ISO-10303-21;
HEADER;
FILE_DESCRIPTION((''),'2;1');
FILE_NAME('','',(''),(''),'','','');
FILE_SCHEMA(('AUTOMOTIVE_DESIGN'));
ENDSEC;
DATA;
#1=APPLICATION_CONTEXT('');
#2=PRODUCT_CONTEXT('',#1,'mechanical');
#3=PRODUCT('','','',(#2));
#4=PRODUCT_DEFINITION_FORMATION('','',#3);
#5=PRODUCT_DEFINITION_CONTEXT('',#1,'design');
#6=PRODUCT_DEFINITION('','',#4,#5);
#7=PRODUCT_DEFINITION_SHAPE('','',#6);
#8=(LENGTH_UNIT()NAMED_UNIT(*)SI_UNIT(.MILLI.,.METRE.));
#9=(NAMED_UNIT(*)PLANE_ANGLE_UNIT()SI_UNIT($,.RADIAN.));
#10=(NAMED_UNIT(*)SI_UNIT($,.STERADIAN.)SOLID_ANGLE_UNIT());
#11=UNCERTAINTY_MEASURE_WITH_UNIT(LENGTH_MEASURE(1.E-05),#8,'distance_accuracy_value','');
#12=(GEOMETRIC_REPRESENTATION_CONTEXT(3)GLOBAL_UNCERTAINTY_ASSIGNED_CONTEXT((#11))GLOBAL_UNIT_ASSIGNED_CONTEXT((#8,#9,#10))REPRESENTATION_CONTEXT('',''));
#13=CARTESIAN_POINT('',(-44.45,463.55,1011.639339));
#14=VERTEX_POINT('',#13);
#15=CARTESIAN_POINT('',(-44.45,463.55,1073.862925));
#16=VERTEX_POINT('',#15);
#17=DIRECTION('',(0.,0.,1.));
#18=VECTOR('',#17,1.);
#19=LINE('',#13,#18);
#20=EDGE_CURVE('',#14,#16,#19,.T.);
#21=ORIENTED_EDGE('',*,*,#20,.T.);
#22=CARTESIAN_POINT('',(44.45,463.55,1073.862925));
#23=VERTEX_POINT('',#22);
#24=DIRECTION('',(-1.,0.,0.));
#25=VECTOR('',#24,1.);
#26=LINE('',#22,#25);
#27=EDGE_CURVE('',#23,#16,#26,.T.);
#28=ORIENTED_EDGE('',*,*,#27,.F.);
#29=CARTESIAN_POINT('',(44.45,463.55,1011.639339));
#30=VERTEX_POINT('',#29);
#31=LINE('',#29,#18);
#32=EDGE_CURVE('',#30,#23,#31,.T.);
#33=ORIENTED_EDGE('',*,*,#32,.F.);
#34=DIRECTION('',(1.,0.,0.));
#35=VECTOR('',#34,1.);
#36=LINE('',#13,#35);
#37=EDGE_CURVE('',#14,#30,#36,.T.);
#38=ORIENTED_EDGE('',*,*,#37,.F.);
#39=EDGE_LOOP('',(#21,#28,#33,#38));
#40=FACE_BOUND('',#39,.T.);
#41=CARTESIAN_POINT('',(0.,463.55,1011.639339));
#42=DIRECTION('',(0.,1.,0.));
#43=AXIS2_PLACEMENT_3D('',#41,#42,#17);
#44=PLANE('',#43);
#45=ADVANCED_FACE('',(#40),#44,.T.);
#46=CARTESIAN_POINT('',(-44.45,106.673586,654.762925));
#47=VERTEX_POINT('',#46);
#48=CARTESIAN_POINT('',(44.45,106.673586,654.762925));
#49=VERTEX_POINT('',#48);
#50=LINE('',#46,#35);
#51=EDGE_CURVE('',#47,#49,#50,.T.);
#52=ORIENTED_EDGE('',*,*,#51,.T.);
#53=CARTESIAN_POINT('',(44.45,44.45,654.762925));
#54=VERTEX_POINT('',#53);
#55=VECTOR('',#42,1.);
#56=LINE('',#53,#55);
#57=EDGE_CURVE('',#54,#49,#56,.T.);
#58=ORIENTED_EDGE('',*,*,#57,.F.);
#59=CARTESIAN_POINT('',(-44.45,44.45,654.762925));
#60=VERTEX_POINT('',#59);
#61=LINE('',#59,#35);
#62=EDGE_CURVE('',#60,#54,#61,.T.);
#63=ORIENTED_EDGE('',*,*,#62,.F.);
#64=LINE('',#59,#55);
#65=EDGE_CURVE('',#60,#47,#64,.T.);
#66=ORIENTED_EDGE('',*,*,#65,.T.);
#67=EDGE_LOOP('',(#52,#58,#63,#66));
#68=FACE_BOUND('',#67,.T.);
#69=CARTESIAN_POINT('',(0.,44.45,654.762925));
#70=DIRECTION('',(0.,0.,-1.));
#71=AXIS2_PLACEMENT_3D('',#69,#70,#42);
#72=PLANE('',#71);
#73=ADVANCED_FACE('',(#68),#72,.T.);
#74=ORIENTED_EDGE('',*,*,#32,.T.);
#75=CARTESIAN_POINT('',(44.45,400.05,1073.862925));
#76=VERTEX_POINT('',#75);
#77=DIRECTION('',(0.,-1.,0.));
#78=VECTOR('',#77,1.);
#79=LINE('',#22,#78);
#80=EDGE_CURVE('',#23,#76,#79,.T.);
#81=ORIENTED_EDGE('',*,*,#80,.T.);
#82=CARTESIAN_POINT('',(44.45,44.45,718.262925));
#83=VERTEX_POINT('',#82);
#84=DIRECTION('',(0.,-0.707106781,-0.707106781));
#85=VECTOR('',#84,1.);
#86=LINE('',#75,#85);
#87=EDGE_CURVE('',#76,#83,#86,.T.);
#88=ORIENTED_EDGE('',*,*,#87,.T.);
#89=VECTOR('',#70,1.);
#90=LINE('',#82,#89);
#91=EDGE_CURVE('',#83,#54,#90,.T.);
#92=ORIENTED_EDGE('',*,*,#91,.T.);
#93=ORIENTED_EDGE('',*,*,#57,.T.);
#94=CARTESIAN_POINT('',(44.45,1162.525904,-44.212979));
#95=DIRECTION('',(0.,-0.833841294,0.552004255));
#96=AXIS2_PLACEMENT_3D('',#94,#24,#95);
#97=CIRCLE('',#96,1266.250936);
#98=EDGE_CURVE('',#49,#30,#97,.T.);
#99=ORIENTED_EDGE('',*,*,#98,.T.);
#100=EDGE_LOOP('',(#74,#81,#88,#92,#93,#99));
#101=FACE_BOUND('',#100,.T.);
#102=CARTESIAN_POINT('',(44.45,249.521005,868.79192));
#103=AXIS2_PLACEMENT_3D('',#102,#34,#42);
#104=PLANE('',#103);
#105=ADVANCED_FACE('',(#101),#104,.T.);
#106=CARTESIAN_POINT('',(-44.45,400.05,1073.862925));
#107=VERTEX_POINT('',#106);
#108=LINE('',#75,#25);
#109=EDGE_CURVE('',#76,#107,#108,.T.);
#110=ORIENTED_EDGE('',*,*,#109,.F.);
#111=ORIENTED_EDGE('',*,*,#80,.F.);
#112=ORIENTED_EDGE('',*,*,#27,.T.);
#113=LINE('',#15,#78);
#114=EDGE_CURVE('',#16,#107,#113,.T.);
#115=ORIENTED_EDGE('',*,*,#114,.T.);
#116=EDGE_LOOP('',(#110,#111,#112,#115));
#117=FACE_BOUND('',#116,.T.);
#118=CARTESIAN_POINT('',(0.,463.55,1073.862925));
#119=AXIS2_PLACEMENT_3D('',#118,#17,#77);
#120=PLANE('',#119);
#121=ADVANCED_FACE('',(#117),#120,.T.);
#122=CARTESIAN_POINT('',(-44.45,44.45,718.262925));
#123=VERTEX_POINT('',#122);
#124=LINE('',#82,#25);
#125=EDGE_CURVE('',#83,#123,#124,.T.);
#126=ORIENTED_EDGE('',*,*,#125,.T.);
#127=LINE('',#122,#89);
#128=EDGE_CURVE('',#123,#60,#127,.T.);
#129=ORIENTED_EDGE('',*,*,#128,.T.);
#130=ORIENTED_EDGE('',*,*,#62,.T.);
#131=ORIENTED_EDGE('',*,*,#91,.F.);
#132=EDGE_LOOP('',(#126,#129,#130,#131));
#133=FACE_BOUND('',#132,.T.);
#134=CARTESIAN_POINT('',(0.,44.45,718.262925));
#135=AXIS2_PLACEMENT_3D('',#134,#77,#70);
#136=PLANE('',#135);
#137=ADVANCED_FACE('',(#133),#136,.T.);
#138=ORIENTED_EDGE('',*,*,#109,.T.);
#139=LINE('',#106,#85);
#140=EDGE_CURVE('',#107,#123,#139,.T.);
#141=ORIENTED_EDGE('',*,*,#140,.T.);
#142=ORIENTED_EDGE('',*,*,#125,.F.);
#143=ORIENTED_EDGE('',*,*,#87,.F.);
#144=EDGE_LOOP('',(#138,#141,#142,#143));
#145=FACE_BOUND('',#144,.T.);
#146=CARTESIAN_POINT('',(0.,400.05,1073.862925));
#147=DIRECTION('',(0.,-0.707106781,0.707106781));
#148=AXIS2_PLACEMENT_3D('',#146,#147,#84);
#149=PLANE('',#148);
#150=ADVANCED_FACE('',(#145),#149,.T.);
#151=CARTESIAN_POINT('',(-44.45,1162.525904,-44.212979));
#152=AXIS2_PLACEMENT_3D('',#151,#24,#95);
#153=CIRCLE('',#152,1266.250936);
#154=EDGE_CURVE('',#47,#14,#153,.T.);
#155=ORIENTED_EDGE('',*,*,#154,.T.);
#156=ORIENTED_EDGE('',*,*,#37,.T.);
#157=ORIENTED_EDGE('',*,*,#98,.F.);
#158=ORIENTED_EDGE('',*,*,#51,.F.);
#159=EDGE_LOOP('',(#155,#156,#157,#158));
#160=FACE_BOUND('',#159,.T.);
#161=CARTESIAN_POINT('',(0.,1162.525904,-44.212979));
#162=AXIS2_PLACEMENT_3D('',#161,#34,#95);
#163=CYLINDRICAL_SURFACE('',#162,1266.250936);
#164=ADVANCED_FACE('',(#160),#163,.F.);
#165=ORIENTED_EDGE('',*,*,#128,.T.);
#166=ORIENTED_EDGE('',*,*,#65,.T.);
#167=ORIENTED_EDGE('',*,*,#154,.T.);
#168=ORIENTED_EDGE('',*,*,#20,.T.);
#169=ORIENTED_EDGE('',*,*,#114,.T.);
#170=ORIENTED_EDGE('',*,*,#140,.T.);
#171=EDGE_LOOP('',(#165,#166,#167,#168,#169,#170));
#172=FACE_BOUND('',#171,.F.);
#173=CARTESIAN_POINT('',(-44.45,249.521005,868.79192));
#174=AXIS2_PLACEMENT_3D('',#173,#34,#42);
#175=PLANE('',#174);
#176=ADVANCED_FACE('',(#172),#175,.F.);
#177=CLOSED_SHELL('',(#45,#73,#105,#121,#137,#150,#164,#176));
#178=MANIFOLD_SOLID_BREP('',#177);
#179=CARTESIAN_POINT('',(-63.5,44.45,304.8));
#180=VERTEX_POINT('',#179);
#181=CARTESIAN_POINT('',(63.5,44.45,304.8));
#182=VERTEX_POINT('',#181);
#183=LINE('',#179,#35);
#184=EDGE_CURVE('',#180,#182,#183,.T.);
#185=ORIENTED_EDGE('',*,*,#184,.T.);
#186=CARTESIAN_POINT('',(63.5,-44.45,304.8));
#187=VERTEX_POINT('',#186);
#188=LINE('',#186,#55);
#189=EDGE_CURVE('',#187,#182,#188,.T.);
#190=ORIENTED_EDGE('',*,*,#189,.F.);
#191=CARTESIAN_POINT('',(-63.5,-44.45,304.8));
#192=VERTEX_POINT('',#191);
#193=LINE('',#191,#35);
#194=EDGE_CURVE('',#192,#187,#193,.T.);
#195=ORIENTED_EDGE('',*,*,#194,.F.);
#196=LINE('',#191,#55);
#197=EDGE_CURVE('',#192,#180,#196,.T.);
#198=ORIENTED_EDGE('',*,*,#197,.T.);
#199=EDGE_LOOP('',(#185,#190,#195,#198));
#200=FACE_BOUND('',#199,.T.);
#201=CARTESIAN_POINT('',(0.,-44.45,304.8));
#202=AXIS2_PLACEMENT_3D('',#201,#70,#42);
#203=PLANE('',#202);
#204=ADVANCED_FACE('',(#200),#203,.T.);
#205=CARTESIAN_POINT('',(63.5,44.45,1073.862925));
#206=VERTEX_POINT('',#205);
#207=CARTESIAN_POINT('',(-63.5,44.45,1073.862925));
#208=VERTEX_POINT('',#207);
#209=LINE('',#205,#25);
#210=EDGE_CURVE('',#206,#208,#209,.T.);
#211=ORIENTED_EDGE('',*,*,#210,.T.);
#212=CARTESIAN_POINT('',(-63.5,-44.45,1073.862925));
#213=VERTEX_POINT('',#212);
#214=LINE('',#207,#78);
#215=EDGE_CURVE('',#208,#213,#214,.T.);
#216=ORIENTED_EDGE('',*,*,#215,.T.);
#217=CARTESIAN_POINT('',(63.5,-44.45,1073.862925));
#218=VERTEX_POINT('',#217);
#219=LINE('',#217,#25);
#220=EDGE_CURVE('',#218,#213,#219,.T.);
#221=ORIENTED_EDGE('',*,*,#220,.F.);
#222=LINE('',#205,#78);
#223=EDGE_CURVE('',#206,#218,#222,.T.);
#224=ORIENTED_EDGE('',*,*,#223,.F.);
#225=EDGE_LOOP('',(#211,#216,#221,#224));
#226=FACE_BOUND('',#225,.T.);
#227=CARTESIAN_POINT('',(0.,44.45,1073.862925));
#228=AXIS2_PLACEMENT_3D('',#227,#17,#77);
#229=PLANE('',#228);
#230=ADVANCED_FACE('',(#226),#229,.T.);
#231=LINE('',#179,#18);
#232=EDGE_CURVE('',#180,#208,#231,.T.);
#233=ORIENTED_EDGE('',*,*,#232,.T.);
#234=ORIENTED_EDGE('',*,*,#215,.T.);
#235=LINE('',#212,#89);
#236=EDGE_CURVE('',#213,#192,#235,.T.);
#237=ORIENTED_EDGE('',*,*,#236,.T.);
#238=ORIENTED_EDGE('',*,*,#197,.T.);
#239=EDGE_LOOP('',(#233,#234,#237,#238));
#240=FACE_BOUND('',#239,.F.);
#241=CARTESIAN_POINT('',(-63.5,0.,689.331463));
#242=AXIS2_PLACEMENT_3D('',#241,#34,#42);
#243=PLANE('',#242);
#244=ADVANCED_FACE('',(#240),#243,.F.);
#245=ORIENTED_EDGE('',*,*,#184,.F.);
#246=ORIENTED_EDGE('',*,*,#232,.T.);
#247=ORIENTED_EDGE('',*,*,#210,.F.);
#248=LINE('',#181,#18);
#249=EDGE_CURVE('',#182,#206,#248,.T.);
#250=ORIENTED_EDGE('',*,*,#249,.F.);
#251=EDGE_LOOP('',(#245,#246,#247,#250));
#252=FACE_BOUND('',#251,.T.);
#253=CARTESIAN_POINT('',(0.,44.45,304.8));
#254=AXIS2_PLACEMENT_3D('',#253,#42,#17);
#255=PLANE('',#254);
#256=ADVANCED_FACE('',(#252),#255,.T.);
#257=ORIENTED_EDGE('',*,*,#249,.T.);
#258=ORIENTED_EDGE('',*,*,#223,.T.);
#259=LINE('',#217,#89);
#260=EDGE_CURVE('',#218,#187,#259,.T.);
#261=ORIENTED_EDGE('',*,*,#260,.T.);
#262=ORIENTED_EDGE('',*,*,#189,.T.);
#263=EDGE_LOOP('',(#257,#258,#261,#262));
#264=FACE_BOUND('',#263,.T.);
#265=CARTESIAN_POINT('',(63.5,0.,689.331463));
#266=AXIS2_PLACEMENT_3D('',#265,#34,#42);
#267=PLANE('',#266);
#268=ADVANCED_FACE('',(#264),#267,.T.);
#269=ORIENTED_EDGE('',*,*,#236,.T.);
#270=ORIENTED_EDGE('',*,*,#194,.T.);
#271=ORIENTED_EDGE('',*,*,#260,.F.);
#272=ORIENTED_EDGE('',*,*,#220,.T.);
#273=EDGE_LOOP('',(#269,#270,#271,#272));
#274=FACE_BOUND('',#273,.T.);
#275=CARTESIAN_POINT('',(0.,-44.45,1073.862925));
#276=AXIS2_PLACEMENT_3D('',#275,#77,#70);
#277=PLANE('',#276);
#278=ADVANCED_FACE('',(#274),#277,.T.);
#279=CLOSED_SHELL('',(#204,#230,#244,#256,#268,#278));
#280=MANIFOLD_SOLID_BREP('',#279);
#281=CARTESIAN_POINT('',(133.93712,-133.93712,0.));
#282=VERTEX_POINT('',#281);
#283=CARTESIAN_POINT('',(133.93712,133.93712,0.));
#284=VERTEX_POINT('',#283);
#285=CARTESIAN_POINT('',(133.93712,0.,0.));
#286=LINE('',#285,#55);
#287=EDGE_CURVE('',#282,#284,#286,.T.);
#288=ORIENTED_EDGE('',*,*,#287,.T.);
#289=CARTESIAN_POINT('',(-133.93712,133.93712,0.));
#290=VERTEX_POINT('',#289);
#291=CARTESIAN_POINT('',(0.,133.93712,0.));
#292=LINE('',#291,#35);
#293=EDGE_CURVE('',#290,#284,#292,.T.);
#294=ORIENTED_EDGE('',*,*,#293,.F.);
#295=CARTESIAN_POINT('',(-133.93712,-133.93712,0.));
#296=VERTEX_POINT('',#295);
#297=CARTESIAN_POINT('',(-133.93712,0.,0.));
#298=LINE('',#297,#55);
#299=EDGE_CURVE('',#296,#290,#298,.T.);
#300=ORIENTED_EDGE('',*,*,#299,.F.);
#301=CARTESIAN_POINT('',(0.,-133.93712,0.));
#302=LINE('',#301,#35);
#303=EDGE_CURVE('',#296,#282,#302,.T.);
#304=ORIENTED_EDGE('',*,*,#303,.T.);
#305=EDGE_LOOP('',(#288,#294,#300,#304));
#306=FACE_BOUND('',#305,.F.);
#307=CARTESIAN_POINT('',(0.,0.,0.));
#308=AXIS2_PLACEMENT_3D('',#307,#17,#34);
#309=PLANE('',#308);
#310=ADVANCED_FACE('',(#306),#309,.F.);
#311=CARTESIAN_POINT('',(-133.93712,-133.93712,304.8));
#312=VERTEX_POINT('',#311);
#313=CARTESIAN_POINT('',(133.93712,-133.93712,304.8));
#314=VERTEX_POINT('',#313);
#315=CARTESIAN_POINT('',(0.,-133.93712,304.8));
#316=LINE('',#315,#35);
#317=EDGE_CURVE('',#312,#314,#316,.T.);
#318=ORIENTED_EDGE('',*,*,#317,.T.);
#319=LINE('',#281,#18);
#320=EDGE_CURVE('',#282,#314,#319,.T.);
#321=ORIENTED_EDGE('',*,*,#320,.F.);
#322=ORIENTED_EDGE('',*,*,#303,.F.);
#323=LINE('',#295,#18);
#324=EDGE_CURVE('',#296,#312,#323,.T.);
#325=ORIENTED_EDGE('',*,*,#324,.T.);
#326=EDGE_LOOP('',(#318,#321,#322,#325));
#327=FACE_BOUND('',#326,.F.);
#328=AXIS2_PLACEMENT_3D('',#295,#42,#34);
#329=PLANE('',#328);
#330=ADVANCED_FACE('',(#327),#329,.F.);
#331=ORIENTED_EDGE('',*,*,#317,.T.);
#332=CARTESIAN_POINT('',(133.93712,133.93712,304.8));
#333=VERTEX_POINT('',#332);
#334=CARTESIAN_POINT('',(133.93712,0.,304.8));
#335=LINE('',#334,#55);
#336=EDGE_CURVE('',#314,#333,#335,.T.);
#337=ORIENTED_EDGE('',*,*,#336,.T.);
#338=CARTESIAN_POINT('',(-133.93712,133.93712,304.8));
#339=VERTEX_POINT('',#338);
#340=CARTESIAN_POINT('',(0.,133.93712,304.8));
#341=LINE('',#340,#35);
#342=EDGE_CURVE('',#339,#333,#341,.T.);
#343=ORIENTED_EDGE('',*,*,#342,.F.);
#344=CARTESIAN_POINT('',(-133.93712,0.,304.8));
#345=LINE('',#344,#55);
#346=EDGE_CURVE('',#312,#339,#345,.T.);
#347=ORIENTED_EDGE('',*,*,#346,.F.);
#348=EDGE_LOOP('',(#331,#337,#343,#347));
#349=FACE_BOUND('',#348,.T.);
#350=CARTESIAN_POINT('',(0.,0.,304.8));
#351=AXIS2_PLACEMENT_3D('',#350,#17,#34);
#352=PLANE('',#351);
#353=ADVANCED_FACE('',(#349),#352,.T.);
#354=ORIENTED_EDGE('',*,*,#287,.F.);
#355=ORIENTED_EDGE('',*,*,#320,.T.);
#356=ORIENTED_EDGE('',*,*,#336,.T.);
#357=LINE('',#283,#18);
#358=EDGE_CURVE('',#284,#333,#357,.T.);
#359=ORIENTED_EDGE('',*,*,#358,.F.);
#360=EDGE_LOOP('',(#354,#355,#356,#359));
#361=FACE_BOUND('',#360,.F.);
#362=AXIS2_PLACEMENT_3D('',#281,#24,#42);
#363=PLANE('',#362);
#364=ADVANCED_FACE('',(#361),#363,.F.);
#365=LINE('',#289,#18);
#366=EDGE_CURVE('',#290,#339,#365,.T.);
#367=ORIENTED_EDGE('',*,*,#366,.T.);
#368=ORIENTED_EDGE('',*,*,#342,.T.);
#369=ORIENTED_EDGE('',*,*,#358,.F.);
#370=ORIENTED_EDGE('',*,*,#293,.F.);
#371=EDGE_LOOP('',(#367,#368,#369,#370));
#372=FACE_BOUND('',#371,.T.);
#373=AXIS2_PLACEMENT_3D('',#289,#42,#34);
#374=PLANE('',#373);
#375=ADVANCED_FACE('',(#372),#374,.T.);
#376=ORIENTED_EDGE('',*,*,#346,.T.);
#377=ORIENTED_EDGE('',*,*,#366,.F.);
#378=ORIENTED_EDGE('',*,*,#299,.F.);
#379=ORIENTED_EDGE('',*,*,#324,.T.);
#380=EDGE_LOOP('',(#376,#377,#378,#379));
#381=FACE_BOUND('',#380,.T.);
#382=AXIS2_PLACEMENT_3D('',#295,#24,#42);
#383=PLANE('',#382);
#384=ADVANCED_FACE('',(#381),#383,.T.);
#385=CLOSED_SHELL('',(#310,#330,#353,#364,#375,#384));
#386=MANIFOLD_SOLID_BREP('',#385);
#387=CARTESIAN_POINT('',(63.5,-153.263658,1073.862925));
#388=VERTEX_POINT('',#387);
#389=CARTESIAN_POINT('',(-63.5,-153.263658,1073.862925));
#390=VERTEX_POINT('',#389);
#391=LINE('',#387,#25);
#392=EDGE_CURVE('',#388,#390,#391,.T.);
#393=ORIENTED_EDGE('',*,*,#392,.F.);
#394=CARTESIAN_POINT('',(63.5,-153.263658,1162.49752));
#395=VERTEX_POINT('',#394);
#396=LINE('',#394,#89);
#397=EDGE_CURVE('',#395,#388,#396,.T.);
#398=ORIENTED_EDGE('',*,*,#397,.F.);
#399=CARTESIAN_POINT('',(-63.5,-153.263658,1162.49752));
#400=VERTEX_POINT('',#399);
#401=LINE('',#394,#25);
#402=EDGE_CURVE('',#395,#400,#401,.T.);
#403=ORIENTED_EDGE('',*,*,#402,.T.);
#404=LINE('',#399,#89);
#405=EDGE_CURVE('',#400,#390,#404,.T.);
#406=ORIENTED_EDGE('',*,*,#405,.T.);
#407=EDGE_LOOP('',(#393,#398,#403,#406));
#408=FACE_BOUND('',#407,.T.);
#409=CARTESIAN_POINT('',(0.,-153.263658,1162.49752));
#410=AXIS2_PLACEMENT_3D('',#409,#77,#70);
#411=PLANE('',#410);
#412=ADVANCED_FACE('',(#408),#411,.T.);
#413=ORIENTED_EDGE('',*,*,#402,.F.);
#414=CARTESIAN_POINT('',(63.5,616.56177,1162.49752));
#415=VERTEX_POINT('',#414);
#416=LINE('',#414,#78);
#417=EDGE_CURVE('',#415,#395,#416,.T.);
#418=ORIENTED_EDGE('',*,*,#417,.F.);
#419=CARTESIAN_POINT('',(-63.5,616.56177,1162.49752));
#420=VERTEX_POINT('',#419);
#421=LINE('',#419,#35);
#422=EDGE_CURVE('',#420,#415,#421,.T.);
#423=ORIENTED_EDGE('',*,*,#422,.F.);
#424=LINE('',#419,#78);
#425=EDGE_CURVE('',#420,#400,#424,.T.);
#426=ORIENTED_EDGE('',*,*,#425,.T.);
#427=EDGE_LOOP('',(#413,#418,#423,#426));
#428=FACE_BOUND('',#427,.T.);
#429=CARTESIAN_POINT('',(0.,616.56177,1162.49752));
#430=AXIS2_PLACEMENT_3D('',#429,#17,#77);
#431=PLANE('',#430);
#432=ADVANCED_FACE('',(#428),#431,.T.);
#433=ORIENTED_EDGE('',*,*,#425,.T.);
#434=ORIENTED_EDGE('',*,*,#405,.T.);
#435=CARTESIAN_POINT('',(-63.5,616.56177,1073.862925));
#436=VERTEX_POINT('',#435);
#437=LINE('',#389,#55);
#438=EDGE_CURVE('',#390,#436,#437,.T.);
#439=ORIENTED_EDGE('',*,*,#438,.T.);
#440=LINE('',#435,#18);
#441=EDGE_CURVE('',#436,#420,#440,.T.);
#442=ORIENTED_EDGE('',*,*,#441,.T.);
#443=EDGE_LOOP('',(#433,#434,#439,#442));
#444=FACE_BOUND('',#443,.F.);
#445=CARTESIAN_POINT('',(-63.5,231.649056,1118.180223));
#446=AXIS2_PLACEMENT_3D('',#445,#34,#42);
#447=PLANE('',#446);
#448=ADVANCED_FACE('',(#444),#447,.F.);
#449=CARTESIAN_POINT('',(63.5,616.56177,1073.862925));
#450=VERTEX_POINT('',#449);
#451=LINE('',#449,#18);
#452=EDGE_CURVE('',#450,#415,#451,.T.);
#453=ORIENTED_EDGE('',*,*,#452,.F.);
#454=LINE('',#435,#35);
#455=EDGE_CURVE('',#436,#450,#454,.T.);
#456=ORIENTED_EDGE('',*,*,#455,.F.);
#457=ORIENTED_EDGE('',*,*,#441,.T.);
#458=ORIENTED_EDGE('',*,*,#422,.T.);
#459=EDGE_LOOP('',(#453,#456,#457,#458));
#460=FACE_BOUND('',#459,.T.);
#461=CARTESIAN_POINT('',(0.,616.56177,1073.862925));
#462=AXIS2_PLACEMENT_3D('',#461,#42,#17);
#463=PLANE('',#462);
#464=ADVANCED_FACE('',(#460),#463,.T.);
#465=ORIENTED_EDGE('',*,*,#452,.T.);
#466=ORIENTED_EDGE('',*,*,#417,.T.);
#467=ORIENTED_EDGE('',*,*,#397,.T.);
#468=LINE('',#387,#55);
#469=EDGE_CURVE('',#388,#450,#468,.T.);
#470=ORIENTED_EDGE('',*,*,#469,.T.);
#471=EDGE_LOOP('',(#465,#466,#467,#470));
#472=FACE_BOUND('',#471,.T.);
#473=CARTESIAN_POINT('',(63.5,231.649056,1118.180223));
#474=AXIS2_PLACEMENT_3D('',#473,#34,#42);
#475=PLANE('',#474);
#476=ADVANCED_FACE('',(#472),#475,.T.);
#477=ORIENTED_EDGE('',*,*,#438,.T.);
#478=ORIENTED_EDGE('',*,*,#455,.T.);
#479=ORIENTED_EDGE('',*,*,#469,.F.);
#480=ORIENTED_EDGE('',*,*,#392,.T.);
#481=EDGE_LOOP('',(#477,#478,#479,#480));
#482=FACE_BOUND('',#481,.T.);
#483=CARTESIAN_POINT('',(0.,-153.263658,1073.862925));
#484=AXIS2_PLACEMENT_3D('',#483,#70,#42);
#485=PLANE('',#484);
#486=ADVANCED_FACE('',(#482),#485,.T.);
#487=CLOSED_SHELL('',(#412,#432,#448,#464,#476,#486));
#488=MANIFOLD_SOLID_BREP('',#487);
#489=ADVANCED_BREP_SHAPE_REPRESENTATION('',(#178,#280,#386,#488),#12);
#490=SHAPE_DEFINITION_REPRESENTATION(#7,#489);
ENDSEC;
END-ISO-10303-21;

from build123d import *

# Parameters (mm, degrees)
F1_W          = 267.8742408752
F1_H          = 267.8742408752
F2_DEPTH      = 304.8
F3_DEPTH      = 63.5
F4_DEPTH      = 63.5
F4_DEPTH_BACK = 63.5
F5_DEPTH      = 44.45


with BuildPart() as f2:
    # F1 (on Top) → F2 (new body, through all)
    with BuildSketch(Plane.XY):
        Rectangle(F1_W, F1_H)
    extrude(amount=F2_DEPTH)


with BuildPart() as f3:
    # F0 (on Right) → F3 (new body, symmetric)
    with BuildSketch(Plane.YZ):
        Polygon((-44.45, 1073.8629251003), (-44.45, 304.8), (44.45, 304.8), (44.45, 654.7629251003), (44.45, 718.2629251003), (44.45, 1073.8629251003), align=None)
    extrude(amount=F3_DEPTH, both=True)


with BuildPart() as f4:
    # F0 (on Right) → F4 (new body, two sides)
    with BuildSketch(Plane.YZ) as f4_sk:
        Polygon((-153.2636582851, 1073.8629251003), (-44.45, 1073.8629251003), (44.45, 1073.8629251003), (400.05, 1073.8629251003), (463.55, 1073.8629251003), (616.5617704391, 1073.8629251003), (616.5617704391, 1162.4975204468), (-153.2636582851, 1162.4975204468), align=None)
    extrude(amount=F4_DEPTH)
    extrude(f4_sk.sketch, amount=-F4_DEPTH_BACK)


with BuildPart() as f5:
    # F0 (on Right) → F5 (new body, symmetric)
    with BuildSketch(Plane.YZ):
        with BuildLine():
            Line((44.45, 718.2629251003), (44.45, 654.7629251003))
            Line((44.45, 654.7629251003), (106.673585695, 654.7629251003))
            ThreePointArc((106.673585695, 654.7629251003), (267.1512806053, 851.161644495), (463.55, 1011.6393394054))
            Line((463.55, 1011.6393394054), (463.55, 1073.8629251003))
            Line((463.55, 1073.8629251003), (400.05, 1073.8629251003))
            Line((400.05, 1073.8629251003), (44.45, 718.2629251003))
        make_face()
    extrude(amount=F5_DEPTH, both=True)


solid = Compound([f2.part, f3.part, f4.part, f5.part])
